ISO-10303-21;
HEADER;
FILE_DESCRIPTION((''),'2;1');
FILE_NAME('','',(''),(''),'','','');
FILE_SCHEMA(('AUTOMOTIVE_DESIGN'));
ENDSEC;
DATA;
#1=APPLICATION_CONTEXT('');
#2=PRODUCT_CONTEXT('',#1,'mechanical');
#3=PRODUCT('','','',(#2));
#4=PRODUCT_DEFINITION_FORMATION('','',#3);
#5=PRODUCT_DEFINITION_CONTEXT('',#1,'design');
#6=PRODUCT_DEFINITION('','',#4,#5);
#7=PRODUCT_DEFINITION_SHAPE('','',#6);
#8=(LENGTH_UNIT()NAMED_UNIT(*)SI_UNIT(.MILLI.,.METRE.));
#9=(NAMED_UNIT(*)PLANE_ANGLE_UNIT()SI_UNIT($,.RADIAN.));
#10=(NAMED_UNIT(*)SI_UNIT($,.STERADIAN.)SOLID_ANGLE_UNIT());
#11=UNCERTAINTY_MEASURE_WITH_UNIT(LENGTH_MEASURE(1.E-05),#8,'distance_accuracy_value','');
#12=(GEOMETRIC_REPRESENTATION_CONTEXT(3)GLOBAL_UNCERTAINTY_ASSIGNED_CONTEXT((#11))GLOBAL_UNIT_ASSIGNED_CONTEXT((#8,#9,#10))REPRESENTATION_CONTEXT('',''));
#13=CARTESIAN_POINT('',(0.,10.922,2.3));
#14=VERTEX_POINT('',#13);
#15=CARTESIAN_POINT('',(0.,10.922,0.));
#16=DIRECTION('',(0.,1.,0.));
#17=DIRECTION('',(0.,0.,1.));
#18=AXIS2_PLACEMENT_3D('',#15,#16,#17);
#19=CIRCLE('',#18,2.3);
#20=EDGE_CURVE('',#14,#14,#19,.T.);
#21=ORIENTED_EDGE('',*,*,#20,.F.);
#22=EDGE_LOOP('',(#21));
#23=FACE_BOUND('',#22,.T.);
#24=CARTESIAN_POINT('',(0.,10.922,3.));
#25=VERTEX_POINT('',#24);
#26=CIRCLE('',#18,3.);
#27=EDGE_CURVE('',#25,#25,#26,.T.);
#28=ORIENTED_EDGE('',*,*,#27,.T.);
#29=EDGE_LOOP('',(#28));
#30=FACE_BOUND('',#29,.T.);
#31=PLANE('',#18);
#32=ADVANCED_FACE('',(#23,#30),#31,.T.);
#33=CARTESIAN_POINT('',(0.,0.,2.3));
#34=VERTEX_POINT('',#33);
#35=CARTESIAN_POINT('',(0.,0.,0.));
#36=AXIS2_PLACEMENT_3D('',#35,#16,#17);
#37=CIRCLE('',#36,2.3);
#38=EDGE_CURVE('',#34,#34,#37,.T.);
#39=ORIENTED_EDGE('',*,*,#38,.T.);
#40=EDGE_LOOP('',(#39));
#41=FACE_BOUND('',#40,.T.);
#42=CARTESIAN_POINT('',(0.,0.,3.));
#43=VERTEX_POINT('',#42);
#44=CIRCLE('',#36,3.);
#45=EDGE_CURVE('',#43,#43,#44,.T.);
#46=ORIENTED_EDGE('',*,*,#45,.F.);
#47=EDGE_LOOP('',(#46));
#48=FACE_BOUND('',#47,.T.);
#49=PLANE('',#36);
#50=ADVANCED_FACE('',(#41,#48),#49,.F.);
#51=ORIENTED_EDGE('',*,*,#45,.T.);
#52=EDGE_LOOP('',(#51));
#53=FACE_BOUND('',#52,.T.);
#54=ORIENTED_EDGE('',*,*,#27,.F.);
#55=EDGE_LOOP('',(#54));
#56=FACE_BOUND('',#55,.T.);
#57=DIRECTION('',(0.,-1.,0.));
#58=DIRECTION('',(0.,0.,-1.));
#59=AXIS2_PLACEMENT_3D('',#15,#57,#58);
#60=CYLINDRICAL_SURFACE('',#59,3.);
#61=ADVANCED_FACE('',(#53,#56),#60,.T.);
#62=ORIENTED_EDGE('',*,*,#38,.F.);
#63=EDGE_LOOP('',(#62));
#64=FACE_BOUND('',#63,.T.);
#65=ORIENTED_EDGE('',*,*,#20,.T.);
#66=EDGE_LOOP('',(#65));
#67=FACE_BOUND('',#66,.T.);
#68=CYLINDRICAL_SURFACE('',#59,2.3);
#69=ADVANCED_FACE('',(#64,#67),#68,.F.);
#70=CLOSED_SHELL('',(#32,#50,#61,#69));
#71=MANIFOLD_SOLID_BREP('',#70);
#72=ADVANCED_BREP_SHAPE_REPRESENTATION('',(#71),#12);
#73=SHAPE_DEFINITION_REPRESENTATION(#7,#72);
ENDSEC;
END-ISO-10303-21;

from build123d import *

# Parameters (mm, degrees)
SKETCH1_R           = 3
SKETCH1_R_2         = 2.3
BOSS_EXTRUDE1_DEPTH = 10.922


with BuildPart() as part:
    # Sketch1 → Boss-Extrude1 (new body)
    with BuildSketch(Plane(origin=(0, 0, 0), x_dir=(1, 0, 0), z_dir=(0, 1, 0))):
        with Locations(Location((0, 0, 0), (0, 0, 270))):
            Circle(SKETCH1_R)
        with Locations(Location((0, 0, 0), (0, 0, 270))):
            Circle(SKETCH1_R_2, mode=Mode.SUBTRACT)
    extrude(amount=BOSS_EXTRUDE1_DEPTH)


solid = part.part
